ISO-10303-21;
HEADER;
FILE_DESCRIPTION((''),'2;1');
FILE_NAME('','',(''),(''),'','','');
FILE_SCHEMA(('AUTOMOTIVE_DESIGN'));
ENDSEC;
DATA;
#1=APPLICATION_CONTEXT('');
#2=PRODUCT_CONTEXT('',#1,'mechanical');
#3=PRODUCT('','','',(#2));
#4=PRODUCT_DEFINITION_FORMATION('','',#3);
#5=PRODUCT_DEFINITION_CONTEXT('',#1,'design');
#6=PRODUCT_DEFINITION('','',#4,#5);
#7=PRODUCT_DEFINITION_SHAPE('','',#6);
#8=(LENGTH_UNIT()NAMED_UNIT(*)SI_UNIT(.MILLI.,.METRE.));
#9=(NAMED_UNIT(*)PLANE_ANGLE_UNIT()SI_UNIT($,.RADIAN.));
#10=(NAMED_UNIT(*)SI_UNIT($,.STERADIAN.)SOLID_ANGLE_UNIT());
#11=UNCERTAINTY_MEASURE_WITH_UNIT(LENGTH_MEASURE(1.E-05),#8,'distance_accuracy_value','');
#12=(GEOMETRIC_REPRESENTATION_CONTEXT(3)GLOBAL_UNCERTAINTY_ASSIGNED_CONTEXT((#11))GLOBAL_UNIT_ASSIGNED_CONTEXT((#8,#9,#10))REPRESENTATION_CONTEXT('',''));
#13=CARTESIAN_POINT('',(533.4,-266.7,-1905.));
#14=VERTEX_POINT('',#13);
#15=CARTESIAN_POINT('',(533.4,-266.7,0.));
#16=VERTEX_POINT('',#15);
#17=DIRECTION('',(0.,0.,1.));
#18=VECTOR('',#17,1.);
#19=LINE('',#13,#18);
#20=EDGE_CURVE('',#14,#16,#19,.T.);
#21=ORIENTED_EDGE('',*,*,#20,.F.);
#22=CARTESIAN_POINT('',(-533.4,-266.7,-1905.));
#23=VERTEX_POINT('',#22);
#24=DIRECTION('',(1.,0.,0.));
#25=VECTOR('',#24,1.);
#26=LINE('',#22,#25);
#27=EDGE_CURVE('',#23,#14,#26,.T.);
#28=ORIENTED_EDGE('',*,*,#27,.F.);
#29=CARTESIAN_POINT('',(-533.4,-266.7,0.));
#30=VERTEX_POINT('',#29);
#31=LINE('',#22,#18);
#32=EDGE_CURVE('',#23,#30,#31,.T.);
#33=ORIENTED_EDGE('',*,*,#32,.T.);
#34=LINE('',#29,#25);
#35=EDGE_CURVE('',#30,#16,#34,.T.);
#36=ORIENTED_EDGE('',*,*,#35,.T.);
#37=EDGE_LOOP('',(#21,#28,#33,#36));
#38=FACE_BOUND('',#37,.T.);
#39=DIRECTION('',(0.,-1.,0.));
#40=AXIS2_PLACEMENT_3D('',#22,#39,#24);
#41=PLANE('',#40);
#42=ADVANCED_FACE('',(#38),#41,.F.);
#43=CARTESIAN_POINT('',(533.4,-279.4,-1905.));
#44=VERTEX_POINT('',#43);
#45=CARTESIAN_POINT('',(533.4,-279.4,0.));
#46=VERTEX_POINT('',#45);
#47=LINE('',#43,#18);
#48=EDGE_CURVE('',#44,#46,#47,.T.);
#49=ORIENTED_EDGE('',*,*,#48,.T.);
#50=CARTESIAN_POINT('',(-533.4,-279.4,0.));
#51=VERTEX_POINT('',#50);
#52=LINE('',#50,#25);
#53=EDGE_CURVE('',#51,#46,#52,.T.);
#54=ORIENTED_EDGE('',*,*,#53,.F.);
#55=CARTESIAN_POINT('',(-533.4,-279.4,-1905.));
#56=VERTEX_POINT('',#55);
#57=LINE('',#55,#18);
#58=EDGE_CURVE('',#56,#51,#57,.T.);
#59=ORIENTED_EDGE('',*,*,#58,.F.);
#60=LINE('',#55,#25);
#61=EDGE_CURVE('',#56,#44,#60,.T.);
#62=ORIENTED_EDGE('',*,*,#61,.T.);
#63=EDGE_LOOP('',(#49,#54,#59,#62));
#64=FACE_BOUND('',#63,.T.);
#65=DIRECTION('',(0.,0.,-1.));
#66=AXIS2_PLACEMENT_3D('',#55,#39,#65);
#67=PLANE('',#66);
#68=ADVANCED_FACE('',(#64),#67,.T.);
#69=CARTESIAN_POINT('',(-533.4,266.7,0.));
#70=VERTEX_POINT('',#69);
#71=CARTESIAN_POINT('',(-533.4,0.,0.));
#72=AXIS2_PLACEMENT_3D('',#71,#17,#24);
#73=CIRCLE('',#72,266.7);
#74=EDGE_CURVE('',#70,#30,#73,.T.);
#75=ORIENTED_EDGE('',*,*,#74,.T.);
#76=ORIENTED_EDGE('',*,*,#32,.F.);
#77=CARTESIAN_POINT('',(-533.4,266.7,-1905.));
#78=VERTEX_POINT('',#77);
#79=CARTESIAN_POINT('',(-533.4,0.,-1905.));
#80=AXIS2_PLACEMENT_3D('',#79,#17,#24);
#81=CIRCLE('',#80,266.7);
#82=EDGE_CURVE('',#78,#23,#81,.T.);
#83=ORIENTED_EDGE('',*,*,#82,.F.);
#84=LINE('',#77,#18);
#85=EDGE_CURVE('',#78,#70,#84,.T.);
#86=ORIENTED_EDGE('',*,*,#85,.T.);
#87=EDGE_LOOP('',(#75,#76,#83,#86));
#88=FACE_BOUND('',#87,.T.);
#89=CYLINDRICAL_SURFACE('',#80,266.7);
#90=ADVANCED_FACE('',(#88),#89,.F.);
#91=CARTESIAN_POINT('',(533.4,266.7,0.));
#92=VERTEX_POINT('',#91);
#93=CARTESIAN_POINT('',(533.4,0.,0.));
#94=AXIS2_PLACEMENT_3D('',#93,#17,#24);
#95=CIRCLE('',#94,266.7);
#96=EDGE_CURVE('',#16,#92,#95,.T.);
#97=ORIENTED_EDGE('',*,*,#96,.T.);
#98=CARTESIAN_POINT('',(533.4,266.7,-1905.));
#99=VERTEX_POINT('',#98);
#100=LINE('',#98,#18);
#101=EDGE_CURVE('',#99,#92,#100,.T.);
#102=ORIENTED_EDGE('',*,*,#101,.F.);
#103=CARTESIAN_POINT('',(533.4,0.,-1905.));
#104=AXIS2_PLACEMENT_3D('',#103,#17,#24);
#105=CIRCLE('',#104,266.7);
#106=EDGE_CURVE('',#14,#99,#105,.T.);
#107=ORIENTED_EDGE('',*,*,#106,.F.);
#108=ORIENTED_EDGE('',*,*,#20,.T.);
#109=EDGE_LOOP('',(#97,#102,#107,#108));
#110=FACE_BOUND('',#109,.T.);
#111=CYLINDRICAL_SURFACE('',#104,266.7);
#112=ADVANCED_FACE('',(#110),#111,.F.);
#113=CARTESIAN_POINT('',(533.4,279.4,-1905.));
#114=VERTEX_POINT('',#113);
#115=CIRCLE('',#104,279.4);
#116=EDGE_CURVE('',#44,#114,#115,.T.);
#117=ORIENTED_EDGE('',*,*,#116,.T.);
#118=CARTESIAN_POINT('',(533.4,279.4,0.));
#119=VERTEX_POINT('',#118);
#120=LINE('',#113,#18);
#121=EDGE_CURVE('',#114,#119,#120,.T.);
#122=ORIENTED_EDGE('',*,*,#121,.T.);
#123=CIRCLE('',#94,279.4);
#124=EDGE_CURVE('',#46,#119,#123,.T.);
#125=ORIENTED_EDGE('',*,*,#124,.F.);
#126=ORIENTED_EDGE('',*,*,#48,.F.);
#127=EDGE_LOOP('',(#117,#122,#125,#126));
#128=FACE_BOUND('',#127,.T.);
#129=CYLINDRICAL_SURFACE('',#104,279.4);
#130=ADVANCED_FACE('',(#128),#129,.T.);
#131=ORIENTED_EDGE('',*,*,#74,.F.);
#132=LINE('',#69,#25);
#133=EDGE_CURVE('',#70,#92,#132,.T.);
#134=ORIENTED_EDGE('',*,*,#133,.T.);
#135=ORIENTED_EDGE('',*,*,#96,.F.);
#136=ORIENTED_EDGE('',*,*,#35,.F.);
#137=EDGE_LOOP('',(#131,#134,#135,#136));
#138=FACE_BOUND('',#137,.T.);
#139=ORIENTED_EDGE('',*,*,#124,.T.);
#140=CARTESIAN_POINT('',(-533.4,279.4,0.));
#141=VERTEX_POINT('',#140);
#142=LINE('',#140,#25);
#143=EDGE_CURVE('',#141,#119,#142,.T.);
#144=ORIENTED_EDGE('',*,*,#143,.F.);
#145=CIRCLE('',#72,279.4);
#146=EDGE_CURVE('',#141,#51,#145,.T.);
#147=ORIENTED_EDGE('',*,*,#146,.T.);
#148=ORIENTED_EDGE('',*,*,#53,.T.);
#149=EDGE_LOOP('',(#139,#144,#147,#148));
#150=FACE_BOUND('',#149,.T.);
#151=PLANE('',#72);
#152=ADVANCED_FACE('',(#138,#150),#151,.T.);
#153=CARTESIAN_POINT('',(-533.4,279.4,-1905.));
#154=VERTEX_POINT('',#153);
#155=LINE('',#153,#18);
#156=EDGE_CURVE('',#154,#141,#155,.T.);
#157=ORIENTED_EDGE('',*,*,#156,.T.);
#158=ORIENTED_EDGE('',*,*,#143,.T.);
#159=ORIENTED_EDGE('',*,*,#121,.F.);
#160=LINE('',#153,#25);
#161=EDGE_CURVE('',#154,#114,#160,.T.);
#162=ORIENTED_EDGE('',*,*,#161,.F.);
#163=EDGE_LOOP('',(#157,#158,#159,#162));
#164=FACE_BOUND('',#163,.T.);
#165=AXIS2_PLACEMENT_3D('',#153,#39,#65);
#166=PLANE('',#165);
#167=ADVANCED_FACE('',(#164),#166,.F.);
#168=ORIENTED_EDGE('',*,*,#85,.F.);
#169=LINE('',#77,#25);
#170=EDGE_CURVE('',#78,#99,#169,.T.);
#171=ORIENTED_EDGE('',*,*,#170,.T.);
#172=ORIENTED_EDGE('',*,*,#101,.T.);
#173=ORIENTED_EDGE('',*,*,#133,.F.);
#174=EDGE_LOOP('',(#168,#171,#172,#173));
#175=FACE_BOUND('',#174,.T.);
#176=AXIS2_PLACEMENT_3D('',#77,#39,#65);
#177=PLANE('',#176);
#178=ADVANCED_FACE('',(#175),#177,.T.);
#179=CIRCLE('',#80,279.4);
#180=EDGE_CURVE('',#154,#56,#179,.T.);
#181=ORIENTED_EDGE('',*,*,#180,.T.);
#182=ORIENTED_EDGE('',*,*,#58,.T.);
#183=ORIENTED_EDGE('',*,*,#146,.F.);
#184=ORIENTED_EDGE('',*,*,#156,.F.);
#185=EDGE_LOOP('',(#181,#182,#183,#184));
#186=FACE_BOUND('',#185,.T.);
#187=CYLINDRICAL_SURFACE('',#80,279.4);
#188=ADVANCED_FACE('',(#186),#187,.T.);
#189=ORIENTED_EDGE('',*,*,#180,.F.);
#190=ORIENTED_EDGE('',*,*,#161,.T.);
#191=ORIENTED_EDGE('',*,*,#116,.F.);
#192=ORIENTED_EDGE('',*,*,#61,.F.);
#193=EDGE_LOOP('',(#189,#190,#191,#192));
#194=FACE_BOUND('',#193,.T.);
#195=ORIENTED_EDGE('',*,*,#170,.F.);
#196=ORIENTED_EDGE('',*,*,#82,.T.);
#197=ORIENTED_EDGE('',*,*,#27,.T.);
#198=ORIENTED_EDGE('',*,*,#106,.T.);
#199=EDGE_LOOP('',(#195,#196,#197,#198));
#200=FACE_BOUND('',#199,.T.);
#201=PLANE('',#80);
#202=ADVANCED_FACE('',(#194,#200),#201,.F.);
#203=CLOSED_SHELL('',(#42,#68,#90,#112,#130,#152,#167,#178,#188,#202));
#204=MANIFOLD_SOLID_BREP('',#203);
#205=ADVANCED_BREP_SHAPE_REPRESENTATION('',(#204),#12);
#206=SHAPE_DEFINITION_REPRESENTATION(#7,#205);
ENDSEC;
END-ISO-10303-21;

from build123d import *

# Parameters (mm, degrees)
BOSS_EXTRUDE1_DEPTH = 1905


with BuildPart() as part:
    # Sketch2 → Boss-Extrude1 (new body)
    with BuildSketch(Plane.XY):
        with BuildLine():
            Line((-533.4, 279.4), (533.4, 279.4))
            ThreePointArc((533.4, 279.4), (812.8, 0), (533.4, -279.4))
            Line((533.4, -279.4), (-533.4, -279.4))
            ThreePointArc((-533.4, -279.4), (-812.8, 0), (-533.4, 279.4))
        make_face()
        with BuildLine():
            Line((-533.4, 266.7), (533.4, 266.7))
            ThreePointArc((533.4, 266.7), (800.1, 0), (533.4, -266.7))
            Line((533.4, -266.7), (-533.4, -266.7))
            ThreePointArc((-533.4, -266.7), (-800.1, 0), (-533.4, 266.7))
        make_face(mode=Mode.SUBTRACT)
    extrude(amount=-BOSS_EXTRUDE1_DEPTH)


solid = part.part
